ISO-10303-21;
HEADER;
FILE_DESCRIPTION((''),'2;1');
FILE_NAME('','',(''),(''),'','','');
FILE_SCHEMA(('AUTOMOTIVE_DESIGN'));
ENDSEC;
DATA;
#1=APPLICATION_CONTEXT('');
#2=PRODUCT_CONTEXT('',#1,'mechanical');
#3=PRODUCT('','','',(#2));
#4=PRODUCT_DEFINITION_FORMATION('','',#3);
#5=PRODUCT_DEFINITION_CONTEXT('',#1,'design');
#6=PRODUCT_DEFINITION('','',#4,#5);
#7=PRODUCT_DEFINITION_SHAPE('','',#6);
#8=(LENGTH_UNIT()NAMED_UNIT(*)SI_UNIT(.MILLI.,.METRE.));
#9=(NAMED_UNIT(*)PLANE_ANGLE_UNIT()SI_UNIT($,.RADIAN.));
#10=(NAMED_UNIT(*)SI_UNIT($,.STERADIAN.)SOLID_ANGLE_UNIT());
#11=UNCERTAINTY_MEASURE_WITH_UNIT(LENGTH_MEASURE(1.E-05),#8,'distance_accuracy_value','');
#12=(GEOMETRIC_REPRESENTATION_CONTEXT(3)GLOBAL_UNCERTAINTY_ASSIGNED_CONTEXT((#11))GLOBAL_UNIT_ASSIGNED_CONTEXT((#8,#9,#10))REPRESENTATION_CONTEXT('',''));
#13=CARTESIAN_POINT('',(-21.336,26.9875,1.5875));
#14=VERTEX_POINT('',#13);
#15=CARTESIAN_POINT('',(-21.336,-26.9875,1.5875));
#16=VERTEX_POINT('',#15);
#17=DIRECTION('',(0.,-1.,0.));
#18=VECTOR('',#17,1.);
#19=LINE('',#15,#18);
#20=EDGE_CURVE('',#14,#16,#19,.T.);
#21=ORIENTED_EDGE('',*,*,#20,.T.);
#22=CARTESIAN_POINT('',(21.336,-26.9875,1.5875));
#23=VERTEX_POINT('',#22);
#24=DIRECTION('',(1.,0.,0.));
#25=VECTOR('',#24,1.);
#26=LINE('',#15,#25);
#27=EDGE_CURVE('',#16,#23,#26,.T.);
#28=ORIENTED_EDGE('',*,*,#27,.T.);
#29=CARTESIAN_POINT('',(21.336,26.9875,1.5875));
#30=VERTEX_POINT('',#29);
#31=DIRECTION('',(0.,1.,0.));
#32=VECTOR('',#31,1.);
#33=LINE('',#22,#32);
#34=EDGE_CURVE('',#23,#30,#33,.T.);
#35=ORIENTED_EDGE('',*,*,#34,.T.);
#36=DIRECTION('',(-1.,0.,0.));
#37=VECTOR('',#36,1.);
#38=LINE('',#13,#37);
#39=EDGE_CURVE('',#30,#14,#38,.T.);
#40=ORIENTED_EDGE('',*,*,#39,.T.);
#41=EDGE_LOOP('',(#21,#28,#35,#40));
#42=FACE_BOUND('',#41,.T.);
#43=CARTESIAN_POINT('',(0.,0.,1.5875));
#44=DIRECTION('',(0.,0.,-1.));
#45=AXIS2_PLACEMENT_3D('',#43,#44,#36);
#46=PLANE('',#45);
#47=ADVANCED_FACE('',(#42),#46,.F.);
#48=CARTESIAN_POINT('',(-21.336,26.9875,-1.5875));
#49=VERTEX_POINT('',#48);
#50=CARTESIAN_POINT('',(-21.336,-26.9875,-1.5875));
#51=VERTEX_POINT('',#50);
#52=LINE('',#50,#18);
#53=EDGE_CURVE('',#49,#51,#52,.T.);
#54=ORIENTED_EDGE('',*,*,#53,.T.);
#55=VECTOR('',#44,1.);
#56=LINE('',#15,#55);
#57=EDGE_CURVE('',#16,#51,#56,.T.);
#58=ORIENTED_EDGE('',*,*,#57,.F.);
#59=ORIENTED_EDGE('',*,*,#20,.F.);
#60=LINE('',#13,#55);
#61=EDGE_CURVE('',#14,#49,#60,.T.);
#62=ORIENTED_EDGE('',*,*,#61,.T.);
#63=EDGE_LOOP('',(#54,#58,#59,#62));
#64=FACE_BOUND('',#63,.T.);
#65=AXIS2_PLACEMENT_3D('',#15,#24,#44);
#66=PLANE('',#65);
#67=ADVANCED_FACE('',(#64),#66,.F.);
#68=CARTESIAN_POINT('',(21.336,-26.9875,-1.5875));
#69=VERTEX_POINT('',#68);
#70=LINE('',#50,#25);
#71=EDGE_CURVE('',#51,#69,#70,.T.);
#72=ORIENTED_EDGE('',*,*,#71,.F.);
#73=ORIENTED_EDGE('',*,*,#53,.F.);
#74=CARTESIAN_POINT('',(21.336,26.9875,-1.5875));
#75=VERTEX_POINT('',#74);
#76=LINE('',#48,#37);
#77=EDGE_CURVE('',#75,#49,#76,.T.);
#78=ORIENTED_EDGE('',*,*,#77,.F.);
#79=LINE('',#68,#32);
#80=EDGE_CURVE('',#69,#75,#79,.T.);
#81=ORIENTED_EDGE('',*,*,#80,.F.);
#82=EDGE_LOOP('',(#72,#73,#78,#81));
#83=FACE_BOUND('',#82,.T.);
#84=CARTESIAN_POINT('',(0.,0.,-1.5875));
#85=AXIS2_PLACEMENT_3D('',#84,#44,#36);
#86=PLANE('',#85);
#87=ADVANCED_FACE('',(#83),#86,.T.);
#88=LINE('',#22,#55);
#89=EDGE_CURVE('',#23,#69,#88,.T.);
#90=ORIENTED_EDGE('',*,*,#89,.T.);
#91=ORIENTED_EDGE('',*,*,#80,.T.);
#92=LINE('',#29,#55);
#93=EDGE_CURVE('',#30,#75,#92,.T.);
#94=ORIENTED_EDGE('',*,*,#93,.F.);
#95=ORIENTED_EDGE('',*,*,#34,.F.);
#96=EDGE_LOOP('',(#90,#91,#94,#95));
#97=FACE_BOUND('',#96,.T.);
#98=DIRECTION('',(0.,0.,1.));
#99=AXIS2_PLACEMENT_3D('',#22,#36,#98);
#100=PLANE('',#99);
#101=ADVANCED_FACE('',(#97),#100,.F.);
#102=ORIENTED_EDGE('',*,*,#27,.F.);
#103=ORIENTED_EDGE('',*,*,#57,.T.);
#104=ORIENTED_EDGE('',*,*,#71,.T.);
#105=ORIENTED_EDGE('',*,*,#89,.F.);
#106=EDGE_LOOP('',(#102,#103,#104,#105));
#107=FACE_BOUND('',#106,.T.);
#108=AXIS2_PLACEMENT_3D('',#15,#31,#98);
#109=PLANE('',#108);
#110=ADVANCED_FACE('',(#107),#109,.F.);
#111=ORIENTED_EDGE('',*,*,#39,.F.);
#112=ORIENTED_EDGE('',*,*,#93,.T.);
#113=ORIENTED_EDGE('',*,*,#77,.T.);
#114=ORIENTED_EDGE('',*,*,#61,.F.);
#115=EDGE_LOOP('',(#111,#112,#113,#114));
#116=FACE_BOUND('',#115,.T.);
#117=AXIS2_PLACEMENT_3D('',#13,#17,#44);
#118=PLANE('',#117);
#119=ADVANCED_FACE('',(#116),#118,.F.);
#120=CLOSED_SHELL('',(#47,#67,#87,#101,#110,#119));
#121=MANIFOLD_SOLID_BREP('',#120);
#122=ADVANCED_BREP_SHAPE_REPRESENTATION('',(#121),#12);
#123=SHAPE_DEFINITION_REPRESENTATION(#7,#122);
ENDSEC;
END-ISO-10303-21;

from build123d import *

# Parameters (mm, degrees)
SKETCH2_W           = 42.672
SKETCH2_H           = 53.975
BOSS_EXTRUDE1_DEPTH = 1.5875


with BuildPart() as part:
    # Sketch2 → Boss-Extrude1 (new body, symmetric)
    with BuildSketch(Plane.XY):
        Rectangle(SKETCH2_W, SKETCH2_H)
    extrude(amount=BOSS_EXTRUDE1_DEPTH, both=True)


solid = part.part
